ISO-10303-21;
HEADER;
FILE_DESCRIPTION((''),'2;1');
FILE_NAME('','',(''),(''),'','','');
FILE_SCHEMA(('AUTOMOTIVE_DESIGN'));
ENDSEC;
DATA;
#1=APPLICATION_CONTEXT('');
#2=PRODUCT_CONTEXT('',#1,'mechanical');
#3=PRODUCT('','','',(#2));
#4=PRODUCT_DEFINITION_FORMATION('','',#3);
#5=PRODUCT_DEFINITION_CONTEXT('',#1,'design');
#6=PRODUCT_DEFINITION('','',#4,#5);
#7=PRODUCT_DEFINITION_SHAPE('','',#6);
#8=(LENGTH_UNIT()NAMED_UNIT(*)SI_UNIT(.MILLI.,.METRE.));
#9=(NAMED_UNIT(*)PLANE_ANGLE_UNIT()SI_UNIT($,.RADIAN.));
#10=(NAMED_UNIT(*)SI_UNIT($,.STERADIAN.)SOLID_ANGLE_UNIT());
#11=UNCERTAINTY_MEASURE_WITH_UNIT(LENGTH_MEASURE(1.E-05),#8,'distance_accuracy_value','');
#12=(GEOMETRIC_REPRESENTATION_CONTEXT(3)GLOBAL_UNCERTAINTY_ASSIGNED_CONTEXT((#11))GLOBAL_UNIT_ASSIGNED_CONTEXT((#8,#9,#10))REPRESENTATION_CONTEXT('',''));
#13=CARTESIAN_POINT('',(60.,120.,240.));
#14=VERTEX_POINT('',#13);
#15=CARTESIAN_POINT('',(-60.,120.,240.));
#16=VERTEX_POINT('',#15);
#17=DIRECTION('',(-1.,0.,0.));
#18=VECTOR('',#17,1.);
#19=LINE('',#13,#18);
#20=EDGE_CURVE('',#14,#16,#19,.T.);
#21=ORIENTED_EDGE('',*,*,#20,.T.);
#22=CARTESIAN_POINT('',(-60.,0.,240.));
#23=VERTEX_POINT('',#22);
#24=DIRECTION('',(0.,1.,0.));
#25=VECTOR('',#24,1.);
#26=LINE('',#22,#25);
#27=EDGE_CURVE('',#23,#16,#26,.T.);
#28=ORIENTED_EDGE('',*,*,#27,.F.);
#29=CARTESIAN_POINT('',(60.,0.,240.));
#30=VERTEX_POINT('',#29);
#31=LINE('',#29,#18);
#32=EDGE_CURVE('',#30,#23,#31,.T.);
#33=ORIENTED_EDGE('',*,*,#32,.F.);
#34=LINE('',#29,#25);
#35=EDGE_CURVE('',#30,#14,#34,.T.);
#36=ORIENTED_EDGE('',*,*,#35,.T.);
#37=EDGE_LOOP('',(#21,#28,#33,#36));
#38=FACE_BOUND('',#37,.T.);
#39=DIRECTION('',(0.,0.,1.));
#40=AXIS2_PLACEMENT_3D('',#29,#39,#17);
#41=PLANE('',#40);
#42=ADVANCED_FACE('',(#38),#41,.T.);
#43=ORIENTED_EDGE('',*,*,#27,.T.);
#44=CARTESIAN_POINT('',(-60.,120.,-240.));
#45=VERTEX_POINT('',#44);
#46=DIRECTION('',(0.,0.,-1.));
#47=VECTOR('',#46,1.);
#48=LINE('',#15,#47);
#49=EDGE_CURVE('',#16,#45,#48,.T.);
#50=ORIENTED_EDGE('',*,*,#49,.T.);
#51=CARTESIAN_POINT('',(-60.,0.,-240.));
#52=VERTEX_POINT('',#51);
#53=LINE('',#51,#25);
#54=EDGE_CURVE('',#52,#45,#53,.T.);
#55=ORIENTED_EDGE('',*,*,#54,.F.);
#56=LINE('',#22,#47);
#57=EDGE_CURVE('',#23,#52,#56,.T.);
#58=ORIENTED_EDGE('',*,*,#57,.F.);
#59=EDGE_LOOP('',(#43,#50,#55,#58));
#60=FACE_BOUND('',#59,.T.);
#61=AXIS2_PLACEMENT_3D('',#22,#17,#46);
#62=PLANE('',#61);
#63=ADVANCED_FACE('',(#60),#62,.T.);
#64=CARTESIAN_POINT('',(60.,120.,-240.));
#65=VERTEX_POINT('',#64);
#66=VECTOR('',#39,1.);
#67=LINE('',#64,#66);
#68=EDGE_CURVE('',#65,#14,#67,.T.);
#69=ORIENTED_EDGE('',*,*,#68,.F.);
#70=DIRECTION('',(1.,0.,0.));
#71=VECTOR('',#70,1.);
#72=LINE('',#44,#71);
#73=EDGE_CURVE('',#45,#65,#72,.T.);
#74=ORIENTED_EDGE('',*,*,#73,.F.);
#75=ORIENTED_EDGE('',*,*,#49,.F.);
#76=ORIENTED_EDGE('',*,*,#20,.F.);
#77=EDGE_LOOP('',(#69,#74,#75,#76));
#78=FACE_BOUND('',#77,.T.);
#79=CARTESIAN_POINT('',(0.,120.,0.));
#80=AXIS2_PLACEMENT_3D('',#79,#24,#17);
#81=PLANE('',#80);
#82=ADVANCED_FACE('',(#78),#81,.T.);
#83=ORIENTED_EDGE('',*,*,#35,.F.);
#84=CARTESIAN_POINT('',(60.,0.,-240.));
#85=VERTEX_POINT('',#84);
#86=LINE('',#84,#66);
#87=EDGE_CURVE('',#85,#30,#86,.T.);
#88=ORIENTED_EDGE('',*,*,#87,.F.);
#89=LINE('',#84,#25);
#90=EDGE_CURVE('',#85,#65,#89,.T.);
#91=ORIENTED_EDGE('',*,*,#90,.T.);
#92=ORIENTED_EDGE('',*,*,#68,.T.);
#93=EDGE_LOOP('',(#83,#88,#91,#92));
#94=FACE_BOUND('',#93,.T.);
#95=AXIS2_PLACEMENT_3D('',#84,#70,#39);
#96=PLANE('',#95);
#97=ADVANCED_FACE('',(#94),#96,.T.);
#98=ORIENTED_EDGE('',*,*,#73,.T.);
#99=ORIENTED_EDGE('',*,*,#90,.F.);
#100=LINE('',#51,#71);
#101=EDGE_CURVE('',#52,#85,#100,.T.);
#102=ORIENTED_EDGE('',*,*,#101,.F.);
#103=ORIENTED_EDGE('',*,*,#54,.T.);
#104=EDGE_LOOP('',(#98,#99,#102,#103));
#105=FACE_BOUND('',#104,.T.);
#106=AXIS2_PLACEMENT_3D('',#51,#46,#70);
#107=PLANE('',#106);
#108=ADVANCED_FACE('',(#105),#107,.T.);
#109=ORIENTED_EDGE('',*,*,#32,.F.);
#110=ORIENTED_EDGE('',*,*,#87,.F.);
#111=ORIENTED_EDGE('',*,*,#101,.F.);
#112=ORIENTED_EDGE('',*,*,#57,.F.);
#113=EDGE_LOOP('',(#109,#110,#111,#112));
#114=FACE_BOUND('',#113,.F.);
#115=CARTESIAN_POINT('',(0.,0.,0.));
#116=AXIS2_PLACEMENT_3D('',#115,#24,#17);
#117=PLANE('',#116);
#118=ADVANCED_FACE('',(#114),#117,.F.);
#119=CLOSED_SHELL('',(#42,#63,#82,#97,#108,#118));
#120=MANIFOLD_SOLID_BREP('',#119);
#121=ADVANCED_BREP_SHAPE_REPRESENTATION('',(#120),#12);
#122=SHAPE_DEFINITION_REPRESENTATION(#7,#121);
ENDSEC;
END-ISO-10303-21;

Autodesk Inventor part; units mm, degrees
ref_plane "YZ Plane" through (0, 0, 0) normal (1, 0, 0) x (0, 1, 0)
ref_plane "XZ Plane" through (0, 0, 0) normal (0, 1, 0) x (-1, 0, 0)
ref_plane "XY Plane" through (0, 0, 0) normal (0, 0, 1) x (1, 0, 0)
sketch "Sketch1" plane through (0, 0, 0) normal (0, 1, 0) x (-1, 0, 0)
  line L0 (-60, 240) -> (60, 240)
  line L1 (60, 240) -> (60, -240)
  line L2 (60, -240) -> (-60, -240)
  line L3 (-60, -240) -> (-60, 240)
  line L4 (-60, 240) -> (60, -240) construction
  line L5 (60, 240) -> (-60, -240) construction
  point P0 (0, 0)
  dimension "d0" = 480
  dimension "d1" = 120
extrude "Extrusion1" add sketch "Sketch1" along normal blind 120
properties part number "Max_Payload"
